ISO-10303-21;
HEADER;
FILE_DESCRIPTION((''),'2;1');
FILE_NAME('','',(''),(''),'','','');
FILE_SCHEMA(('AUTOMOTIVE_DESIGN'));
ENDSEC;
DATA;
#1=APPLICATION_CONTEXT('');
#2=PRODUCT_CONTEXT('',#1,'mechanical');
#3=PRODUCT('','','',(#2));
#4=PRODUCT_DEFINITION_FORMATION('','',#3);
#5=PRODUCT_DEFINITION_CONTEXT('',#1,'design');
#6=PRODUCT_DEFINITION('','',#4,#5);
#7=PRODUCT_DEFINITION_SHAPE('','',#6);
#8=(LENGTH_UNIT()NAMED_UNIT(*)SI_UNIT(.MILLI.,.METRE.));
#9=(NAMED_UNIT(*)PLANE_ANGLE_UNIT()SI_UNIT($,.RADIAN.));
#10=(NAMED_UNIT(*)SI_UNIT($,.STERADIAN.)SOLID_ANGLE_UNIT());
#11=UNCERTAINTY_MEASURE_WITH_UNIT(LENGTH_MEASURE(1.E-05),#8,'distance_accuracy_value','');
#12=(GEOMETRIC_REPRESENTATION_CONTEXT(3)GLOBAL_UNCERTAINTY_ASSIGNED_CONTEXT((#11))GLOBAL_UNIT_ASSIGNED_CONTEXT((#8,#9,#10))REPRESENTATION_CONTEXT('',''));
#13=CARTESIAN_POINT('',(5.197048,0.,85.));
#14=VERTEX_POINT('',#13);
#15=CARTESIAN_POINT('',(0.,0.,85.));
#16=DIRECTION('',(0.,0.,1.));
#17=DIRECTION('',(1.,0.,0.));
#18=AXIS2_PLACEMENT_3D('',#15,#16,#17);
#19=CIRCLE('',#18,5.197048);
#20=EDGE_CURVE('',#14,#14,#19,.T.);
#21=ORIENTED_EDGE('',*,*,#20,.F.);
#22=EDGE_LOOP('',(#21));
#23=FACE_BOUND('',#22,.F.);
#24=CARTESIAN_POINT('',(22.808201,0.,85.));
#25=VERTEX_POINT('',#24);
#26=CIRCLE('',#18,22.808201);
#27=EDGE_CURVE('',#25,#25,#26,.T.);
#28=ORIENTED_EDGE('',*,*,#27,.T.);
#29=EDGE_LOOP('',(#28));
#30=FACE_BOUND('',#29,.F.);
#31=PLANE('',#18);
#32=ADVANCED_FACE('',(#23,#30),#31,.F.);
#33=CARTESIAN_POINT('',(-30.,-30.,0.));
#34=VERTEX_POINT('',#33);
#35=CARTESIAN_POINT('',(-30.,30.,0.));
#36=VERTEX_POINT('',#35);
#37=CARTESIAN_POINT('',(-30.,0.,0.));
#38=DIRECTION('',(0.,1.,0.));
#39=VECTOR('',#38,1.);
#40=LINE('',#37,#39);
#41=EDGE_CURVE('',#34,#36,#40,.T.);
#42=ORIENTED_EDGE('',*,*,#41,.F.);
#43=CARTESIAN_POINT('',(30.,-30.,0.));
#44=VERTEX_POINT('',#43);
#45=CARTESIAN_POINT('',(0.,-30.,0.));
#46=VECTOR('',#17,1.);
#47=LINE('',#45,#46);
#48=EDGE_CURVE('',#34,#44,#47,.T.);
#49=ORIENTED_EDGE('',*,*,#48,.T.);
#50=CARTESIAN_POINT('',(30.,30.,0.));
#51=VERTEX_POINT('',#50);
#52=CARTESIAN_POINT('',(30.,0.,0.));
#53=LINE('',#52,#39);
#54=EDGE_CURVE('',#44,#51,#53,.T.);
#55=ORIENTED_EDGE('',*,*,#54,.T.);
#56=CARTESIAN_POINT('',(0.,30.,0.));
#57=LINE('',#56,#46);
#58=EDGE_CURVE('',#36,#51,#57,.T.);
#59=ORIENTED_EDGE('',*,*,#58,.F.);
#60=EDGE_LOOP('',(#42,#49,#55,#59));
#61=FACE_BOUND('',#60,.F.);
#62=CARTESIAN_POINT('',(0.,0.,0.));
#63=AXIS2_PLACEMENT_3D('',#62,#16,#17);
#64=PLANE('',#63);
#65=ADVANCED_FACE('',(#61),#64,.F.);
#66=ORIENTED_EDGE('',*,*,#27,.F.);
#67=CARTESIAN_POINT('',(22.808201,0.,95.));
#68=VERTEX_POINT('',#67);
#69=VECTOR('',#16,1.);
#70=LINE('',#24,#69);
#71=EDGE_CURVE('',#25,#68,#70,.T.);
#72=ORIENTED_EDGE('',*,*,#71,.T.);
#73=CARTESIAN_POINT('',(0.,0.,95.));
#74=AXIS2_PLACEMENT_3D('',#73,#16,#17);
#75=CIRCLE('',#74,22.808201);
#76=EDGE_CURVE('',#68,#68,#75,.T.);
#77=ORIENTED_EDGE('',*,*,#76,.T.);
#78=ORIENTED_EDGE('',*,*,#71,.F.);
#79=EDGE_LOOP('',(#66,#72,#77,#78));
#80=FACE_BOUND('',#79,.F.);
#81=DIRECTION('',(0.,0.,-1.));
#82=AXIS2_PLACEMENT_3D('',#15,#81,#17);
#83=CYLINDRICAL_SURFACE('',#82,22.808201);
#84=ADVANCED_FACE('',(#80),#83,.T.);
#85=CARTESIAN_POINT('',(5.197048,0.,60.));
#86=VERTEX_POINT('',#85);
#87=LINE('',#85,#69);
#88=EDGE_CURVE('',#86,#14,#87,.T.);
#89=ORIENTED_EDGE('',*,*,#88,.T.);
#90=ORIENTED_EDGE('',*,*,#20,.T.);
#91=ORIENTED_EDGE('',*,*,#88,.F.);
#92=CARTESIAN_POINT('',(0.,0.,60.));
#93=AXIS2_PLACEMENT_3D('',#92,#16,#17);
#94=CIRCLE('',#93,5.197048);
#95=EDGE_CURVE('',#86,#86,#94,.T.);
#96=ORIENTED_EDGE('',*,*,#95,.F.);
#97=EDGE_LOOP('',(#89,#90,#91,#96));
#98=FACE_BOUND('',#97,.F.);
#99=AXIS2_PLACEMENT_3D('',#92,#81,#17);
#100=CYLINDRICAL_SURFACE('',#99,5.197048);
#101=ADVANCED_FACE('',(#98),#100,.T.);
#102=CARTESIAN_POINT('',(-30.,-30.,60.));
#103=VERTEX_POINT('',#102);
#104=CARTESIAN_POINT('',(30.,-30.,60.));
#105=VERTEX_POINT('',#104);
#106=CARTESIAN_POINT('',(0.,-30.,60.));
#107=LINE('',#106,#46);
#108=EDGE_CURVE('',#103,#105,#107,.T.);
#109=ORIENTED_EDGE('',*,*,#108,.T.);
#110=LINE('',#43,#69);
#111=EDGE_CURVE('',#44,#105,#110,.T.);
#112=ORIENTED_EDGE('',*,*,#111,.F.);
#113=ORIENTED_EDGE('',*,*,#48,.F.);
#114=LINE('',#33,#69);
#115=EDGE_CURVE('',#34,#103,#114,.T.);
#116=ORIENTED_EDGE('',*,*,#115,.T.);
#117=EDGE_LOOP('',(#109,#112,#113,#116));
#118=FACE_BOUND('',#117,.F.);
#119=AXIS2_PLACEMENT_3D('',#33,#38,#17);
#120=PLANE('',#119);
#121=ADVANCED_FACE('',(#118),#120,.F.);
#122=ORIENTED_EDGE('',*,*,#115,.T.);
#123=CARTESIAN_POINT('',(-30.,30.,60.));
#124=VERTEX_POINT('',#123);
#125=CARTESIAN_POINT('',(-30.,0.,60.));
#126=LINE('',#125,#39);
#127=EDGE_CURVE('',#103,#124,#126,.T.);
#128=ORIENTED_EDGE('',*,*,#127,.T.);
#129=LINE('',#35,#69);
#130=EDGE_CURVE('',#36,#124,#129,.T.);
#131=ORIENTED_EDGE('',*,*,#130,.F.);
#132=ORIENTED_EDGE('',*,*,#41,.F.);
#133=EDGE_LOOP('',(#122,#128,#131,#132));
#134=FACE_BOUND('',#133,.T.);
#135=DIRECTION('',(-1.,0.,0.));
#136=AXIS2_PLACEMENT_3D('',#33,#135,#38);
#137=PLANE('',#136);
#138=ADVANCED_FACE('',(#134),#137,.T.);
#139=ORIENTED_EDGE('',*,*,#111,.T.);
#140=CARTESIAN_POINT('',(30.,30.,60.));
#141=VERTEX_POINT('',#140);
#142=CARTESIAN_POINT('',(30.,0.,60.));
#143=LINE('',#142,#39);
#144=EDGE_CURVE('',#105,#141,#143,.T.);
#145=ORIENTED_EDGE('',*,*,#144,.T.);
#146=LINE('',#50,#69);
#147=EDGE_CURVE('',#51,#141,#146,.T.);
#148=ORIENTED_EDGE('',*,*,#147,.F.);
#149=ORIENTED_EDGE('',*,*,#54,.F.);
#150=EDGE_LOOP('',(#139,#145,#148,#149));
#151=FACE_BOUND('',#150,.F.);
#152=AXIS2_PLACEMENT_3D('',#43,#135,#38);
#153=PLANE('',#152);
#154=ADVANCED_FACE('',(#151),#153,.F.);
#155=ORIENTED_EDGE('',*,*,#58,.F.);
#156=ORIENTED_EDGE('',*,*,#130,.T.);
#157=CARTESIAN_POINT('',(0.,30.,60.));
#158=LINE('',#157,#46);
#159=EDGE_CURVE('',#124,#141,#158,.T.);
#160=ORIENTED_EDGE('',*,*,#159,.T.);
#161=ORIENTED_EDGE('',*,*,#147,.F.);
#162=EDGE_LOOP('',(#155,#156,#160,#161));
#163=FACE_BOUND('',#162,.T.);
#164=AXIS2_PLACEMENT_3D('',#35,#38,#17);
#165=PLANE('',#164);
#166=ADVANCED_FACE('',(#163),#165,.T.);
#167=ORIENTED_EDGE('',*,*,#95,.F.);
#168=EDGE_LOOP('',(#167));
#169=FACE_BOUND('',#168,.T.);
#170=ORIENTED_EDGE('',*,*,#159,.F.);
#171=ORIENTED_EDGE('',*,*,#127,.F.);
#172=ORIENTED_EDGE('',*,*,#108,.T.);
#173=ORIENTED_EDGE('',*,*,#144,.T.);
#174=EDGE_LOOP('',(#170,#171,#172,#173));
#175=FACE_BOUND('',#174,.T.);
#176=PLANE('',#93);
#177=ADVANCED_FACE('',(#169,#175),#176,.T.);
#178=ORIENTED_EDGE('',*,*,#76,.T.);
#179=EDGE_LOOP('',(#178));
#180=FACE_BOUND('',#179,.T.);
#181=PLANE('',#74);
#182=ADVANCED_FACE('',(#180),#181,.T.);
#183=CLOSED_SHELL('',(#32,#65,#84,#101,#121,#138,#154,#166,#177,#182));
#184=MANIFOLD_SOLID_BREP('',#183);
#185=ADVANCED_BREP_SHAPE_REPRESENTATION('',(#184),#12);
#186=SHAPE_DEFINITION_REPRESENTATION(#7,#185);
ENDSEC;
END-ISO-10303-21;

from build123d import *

# Parameters (mm, degrees)
F0_W     = 60
F0_H     = 60
F1_DEPTH = 60
F2_R     = 5.197048
F3_DEPTH = 25
F4_R     = 22.808201
F5_DEPTH = 10


with BuildPart() as f1:
    # F0 (on Top) → F1 (new body)
    with BuildSketch(Plane.XY):
        Rectangle(F0_W, F0_H)
    extrude(amount=F1_DEPTH)

    # F2 (on face) → F3 (join)
    with BuildSketch(Plane.XY.offset(60)):
        Circle(F2_R)
    extrude(amount=F3_DEPTH)

    # F4 (on face) → F5 (join)
    with BuildSketch(Plane.XY.offset(85)):
        Circle(F4_R)
    extrude(amount=F5_DEPTH)


solid = f1.part
